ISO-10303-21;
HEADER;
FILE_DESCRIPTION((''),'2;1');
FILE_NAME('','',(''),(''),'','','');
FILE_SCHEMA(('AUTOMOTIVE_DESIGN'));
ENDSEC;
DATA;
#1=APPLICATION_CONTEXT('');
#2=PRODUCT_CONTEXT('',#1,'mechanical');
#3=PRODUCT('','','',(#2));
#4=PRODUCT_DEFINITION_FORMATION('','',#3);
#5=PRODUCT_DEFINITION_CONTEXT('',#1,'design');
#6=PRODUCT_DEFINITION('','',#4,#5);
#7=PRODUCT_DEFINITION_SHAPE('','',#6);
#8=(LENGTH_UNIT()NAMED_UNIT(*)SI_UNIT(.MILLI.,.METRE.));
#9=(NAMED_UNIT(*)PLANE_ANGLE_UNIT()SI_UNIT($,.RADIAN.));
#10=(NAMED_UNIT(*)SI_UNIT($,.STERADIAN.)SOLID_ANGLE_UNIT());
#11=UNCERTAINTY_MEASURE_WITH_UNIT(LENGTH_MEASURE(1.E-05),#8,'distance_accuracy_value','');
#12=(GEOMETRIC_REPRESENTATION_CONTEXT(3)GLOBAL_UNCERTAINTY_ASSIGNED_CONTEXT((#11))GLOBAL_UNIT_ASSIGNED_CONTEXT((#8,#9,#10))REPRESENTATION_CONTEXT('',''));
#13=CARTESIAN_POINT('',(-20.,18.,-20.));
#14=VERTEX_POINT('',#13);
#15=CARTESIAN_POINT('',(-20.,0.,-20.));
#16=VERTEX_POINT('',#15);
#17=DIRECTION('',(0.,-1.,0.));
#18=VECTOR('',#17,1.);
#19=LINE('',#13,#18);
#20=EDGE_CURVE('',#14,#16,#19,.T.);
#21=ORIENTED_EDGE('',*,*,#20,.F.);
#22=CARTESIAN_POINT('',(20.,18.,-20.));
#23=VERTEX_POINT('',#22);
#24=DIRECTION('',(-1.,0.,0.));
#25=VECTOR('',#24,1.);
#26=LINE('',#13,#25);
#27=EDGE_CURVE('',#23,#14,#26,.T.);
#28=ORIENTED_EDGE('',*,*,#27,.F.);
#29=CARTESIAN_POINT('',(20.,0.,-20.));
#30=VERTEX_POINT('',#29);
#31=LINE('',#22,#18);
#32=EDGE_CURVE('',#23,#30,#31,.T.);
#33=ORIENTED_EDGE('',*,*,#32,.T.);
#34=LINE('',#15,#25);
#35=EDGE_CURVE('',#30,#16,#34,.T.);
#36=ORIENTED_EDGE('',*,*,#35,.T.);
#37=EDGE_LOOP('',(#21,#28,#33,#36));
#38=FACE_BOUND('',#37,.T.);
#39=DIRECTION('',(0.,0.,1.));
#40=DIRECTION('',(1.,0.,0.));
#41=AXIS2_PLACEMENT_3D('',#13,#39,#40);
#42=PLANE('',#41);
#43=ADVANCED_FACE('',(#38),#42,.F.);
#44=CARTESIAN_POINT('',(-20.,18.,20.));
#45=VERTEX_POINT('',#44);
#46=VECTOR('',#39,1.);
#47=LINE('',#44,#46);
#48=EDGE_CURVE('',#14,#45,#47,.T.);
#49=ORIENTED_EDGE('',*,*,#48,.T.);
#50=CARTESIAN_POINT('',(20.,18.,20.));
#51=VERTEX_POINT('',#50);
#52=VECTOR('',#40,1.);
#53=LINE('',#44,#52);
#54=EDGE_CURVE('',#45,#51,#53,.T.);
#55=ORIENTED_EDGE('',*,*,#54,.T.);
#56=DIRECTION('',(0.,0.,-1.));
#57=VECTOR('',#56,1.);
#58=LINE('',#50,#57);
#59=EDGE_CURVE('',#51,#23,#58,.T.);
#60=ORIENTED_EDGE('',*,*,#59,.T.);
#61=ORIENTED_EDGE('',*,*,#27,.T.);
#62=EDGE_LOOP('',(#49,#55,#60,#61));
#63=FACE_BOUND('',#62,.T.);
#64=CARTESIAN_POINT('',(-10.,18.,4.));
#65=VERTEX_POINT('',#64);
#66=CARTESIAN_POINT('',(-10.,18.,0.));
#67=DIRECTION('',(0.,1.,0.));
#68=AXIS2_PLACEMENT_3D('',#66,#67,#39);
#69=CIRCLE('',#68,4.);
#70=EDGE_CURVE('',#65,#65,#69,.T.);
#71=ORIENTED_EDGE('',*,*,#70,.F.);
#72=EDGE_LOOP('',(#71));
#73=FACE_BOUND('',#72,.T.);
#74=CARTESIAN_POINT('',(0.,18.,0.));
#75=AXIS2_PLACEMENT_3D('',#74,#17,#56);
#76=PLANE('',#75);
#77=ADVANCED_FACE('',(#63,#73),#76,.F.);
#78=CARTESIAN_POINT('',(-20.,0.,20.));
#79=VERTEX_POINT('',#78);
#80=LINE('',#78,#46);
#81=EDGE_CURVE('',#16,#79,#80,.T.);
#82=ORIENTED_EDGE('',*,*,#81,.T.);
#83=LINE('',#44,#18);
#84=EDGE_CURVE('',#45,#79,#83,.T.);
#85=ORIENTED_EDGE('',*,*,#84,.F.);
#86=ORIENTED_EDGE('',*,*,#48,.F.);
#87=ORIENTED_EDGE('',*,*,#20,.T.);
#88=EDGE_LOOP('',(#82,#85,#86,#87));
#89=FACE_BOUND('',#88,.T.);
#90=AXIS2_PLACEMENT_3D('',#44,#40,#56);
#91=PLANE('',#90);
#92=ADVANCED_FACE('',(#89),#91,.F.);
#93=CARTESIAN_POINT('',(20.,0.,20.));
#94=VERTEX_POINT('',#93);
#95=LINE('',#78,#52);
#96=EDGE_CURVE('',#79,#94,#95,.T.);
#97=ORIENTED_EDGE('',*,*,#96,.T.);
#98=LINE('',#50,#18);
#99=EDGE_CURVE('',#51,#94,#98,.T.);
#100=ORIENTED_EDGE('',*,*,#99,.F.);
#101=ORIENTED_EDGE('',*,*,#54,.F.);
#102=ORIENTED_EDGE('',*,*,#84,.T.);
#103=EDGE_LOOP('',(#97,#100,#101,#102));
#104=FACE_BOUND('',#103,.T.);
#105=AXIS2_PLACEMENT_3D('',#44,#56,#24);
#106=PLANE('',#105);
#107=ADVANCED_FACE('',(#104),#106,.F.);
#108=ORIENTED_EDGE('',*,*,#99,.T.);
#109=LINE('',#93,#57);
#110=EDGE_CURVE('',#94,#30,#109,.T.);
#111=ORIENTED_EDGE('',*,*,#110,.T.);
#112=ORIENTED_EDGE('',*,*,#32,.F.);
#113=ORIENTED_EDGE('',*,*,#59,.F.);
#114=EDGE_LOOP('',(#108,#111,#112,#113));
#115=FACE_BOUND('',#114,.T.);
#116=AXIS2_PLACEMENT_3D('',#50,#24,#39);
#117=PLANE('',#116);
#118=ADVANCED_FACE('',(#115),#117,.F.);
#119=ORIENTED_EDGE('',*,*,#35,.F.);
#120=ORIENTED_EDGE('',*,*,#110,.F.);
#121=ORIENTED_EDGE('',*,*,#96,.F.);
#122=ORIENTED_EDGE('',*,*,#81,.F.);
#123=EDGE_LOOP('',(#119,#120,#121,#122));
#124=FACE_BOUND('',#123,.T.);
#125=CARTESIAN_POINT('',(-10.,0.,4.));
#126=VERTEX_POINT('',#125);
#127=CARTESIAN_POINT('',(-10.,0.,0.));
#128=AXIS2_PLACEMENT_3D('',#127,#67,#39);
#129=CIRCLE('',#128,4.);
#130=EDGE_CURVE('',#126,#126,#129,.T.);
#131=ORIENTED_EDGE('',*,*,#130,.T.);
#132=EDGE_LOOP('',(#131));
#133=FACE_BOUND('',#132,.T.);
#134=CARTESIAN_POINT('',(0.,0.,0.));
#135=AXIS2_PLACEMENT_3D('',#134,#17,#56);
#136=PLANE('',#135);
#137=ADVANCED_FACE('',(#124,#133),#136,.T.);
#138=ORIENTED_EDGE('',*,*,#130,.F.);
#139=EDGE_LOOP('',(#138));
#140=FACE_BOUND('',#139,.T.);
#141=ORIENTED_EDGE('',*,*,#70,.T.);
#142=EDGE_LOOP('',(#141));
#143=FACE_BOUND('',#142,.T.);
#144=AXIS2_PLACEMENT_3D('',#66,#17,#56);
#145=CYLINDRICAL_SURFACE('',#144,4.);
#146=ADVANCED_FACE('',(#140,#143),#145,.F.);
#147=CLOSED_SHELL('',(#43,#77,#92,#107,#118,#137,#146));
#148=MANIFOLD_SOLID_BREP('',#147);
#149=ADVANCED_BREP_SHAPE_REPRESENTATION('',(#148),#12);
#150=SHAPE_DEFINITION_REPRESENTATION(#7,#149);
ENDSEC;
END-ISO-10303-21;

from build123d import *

# Parameters (mm, degrees)
SKETCH1_W           = 40
SKETCH1_H           = 40
SKETCH1_R           = 4
BOSS_EXTRUDE1_DEPTH = 18


with BuildPart() as part:
    # Sketch1 → Boss-Extrude1 (new body)
    with BuildSketch(Plane(origin=(0, 0, 0), x_dir=(1, 0, 0), z_dir=(0, 1, 0))):
        Rectangle(SKETCH1_W, SKETCH1_H)
        with Locations(Location((-10, 0, 0), (0, 0, 270))):
            Circle(SKETCH1_R, mode=Mode.SUBTRACT)
    extrude(amount=BOSS_EXTRUDE1_DEPTH)


solid = part.part
